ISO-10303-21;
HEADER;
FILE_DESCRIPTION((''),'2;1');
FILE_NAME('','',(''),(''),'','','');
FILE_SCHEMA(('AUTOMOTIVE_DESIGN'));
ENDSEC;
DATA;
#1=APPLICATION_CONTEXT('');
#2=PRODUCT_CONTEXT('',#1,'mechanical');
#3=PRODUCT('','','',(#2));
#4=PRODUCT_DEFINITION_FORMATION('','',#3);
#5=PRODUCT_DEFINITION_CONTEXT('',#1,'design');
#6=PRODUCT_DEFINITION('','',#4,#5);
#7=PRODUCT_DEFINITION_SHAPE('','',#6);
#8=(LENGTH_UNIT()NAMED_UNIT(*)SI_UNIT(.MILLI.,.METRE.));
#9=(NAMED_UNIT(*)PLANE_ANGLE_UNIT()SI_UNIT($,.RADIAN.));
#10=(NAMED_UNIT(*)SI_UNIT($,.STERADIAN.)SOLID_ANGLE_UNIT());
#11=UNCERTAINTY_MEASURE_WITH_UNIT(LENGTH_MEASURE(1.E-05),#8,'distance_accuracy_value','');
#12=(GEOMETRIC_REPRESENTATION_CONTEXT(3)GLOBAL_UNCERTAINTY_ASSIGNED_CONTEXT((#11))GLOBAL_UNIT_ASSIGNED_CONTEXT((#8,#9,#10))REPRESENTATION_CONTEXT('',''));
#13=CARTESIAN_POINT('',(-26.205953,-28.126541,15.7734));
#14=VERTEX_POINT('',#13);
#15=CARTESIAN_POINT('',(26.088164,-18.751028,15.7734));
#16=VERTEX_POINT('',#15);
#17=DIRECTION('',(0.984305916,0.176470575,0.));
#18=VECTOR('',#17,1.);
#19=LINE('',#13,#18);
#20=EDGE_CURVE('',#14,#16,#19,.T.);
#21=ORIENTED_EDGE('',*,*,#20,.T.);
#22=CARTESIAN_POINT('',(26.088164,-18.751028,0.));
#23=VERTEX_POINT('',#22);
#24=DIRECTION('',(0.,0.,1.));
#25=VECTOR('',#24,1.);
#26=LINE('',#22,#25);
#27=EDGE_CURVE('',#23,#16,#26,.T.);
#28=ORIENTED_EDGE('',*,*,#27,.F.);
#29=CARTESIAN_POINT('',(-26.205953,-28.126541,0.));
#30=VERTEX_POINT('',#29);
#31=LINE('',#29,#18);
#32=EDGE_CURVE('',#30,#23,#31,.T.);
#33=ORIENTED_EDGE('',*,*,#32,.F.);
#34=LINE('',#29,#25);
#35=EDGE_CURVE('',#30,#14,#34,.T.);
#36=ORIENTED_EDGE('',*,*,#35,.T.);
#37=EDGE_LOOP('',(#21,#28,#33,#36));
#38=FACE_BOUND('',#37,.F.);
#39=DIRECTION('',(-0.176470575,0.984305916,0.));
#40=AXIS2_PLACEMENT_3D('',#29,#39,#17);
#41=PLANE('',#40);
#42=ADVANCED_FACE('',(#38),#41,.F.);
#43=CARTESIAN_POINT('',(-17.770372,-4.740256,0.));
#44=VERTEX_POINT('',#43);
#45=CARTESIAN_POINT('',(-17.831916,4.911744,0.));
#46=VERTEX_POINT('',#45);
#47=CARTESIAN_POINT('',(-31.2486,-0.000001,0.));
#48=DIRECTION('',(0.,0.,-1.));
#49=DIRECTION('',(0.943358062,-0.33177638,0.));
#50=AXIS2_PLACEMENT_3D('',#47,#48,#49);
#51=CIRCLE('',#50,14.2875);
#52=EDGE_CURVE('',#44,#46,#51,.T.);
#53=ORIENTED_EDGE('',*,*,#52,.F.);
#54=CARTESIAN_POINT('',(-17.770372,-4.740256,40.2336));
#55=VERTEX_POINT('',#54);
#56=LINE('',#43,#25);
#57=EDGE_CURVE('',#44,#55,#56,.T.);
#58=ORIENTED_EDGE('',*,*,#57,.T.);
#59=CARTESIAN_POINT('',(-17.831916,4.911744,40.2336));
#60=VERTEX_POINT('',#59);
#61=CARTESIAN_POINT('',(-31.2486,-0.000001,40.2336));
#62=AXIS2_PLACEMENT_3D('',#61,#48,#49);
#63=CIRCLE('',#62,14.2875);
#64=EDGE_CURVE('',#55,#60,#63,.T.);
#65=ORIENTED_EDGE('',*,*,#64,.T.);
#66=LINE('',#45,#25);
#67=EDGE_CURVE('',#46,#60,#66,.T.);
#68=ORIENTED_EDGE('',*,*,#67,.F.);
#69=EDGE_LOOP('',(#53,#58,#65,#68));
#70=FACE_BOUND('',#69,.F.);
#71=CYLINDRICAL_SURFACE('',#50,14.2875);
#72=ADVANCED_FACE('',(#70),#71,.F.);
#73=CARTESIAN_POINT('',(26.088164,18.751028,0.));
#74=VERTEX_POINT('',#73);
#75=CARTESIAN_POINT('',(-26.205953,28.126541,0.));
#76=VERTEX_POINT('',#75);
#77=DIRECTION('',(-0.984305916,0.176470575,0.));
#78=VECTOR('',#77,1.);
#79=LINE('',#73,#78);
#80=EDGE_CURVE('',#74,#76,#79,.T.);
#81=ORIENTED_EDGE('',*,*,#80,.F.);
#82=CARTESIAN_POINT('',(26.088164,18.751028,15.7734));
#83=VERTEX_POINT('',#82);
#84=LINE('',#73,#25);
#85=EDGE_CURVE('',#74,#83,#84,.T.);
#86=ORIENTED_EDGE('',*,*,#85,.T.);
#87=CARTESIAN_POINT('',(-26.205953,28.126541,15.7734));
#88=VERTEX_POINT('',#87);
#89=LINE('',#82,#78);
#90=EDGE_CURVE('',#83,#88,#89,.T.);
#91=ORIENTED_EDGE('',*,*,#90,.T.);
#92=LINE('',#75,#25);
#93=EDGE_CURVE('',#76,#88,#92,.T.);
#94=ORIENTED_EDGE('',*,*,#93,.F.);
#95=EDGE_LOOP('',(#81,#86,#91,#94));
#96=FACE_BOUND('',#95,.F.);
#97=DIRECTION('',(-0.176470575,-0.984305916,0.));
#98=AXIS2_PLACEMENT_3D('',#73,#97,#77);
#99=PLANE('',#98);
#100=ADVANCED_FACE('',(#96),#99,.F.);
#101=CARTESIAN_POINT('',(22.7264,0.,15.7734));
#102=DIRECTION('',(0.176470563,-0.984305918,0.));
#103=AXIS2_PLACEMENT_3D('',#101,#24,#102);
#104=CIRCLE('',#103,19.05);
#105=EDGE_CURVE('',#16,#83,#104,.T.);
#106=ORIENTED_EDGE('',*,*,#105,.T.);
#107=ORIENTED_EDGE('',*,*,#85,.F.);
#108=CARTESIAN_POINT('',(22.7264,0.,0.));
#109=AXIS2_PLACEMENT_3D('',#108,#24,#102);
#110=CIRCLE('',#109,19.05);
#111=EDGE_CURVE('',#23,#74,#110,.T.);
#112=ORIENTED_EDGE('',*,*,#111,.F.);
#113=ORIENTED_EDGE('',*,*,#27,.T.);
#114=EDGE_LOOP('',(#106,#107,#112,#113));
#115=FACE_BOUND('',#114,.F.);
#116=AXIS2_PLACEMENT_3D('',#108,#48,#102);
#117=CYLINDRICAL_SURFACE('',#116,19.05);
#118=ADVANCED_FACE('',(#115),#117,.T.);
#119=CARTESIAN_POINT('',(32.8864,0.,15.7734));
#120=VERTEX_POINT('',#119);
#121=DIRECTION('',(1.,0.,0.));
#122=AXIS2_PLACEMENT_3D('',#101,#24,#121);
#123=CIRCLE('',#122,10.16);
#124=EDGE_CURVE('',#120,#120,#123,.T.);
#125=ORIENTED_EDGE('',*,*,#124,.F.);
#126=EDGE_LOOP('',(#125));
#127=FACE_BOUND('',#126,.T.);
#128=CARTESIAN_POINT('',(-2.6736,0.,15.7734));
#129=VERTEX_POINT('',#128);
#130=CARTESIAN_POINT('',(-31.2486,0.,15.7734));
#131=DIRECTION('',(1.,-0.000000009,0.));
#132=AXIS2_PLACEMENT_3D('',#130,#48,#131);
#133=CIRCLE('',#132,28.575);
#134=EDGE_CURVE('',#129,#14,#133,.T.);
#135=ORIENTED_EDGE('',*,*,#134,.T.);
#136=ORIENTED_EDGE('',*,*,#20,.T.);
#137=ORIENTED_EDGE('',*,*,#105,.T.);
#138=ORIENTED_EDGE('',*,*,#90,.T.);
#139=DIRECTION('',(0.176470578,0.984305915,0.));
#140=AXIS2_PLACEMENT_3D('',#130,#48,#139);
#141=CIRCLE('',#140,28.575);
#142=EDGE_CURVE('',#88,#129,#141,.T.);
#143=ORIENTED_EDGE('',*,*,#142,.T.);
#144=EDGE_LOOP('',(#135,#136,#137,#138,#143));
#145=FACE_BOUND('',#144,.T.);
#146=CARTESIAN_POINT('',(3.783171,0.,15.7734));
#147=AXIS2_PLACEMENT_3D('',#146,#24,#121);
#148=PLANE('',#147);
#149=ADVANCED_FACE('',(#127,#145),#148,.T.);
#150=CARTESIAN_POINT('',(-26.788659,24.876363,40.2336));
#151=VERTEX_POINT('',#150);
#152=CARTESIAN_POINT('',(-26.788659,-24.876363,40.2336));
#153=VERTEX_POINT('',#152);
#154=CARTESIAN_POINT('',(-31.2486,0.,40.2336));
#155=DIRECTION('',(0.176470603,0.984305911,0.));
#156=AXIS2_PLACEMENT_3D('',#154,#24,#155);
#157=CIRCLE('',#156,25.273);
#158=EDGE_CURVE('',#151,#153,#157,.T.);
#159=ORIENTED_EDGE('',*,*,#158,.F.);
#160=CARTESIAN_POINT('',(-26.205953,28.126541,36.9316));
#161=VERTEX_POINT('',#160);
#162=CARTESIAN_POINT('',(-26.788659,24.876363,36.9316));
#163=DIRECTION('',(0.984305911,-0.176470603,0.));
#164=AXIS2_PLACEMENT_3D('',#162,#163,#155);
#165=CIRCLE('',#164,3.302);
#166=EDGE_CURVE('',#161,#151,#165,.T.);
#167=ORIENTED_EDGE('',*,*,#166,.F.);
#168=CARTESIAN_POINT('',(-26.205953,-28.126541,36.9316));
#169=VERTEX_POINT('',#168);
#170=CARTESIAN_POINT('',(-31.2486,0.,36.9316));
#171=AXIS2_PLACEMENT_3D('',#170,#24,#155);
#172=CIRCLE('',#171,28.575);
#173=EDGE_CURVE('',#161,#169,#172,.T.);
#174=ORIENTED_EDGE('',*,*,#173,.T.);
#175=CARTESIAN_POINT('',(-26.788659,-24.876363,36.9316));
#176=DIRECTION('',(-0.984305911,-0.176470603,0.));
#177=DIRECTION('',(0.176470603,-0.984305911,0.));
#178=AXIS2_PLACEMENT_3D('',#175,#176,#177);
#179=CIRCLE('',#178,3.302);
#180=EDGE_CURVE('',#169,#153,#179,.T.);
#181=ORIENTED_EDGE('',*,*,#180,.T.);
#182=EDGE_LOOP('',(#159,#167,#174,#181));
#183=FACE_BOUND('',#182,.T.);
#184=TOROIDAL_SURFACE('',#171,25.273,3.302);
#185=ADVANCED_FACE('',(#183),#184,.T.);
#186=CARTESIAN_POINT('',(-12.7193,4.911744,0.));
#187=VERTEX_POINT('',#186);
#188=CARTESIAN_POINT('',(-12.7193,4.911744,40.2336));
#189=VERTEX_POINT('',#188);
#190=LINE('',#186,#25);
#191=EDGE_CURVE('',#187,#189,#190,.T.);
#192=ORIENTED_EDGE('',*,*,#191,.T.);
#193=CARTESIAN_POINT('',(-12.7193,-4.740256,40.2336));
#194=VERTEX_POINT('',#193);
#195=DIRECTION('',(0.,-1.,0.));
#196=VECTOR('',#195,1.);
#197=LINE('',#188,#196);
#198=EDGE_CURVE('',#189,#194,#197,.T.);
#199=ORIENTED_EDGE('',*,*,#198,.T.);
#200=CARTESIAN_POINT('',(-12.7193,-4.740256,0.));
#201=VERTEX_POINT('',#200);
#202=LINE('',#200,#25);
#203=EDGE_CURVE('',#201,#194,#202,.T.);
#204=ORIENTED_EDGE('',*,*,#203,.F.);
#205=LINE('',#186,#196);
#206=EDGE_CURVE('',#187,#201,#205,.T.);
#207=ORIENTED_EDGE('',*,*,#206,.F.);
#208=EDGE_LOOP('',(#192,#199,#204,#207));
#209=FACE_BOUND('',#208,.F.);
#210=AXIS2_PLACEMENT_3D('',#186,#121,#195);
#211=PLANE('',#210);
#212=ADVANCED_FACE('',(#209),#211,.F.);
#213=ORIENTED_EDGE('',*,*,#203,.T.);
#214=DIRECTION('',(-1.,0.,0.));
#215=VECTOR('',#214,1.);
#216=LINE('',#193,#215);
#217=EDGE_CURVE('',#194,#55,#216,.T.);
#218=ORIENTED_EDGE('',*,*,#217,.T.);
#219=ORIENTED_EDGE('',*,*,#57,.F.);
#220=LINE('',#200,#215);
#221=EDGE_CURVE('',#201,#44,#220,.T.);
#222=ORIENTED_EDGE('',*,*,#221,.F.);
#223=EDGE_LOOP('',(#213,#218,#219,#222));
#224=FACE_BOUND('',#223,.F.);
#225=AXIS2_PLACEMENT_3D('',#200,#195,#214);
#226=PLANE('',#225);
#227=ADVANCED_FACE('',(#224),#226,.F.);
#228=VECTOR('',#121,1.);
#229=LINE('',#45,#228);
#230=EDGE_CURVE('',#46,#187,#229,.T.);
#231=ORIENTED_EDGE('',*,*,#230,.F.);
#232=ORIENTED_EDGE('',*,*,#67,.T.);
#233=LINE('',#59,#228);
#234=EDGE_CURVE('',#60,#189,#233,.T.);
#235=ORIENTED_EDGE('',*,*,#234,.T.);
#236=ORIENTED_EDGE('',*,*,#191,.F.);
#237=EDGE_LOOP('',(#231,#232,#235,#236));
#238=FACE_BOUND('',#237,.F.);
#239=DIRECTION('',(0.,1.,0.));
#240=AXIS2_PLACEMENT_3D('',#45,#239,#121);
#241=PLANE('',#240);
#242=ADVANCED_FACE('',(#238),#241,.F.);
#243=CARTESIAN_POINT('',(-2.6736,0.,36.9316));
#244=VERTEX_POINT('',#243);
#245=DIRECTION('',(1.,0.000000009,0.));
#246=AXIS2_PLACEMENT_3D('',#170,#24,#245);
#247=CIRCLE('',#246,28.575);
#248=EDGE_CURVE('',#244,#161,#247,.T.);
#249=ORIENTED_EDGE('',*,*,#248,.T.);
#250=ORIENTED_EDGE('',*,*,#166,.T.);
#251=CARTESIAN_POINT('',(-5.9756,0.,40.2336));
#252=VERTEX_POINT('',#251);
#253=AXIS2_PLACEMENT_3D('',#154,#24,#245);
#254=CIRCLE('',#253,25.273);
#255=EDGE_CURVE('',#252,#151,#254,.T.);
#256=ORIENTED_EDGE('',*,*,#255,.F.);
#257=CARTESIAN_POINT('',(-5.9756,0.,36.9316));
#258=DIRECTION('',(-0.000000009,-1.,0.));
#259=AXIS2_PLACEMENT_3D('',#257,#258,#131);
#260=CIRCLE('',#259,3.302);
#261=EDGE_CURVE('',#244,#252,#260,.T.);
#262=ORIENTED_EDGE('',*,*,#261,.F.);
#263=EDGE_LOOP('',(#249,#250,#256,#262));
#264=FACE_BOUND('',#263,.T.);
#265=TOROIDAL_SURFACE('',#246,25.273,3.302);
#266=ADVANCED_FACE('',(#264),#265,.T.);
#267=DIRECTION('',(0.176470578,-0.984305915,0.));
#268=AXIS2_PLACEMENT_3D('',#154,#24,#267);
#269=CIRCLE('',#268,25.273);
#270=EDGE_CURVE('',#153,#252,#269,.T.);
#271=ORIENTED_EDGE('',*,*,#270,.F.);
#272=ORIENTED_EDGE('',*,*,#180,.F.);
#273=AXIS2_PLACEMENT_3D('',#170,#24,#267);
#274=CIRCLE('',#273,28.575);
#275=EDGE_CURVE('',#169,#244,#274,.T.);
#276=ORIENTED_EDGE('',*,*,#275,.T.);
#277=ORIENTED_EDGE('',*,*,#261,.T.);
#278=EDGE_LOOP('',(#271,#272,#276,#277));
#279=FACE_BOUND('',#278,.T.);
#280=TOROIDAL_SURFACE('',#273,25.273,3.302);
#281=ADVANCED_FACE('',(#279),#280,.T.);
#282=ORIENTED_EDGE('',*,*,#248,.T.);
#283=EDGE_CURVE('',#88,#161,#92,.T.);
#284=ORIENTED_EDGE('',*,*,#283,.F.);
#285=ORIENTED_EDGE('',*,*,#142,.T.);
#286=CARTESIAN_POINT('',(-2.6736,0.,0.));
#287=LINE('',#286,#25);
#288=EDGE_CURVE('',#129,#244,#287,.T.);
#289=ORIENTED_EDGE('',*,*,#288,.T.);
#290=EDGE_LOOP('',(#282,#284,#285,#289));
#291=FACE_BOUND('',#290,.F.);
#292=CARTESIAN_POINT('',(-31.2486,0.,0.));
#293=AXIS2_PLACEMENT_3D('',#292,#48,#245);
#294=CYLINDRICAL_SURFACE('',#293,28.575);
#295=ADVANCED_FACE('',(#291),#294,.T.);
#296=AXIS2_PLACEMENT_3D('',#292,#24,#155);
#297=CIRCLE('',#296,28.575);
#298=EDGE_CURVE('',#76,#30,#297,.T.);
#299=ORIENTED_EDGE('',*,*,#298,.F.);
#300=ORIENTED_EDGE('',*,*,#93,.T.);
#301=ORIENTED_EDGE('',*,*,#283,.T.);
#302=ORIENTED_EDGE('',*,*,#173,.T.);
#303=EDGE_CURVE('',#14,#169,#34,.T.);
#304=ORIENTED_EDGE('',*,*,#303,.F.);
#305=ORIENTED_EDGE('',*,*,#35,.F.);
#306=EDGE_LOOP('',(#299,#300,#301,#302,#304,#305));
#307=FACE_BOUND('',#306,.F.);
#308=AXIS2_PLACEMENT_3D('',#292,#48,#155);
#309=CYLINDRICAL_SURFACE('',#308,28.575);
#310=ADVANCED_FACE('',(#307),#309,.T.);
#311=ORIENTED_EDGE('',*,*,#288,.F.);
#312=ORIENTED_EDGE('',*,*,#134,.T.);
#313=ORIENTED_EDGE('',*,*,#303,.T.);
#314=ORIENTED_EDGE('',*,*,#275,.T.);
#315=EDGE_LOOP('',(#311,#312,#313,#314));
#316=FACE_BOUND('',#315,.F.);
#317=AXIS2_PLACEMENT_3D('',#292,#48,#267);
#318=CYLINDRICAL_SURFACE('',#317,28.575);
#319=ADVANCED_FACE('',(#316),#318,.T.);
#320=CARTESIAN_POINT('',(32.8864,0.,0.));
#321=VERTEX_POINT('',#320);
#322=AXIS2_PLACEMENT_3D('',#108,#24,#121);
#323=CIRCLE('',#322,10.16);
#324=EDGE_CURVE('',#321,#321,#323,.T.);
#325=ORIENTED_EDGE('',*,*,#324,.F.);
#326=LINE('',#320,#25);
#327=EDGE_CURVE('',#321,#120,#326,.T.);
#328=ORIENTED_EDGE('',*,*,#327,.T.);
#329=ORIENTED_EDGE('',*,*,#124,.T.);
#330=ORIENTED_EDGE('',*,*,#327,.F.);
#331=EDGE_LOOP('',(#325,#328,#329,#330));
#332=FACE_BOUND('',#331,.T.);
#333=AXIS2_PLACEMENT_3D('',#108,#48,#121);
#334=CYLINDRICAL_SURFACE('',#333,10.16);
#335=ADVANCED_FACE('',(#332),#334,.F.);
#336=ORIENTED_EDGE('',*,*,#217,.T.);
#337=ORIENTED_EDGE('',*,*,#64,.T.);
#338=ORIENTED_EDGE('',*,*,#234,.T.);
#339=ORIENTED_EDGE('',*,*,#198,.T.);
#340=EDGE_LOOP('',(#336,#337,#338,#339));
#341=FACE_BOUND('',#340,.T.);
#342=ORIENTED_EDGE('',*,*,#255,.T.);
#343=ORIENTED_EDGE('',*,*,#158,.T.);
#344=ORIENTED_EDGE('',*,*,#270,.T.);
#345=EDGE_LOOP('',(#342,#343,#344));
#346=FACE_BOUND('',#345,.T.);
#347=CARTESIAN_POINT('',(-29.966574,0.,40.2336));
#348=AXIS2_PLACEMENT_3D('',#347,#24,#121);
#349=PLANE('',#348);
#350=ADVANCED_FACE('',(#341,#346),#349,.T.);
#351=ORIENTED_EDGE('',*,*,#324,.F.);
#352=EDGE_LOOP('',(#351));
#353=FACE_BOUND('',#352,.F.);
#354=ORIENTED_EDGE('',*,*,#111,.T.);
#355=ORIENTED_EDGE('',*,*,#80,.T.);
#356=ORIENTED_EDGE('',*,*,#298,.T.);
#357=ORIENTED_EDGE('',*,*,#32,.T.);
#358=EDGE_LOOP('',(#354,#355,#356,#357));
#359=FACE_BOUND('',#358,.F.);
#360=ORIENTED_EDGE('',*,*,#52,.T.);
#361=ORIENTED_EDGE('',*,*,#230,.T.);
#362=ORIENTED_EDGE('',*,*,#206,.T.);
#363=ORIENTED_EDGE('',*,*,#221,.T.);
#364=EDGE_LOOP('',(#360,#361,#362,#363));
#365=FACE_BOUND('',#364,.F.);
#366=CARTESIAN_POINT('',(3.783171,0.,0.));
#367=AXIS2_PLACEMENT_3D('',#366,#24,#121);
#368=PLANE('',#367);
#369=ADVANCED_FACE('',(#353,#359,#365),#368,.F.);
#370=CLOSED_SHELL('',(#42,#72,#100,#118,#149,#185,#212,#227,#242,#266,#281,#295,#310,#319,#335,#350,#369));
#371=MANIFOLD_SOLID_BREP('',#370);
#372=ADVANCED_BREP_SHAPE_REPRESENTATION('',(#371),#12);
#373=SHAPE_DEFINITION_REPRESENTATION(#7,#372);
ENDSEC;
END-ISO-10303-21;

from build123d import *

# Parameters (mm, degrees)
F1_DEPTH = 40.2336
F2_R     = 3.302
F0_R     = 10.16
F3_DEPTH = 15.7734


with BuildPart() as f1:
    # F0 (on Top) → F1 (new body)
    with BuildSketch(Plane.XY):
        with BuildLine():
            ThreePointArc((-26.205953, -28.126541), (-9.332576, -18.336262), (-2.6736, 0))
            ThreePointArc((-2.6736, 0), (-9.332576, 18.336262), (-26.205953, 28.126541))
            ThreePointArc((-26.205953, 28.126541), (-59.8236, 0), (-26.205953, -28.126541))
        make_face()
        with BuildLine():
            ThreePointArc((-17.770372, -4.740256), (-45.53581, -0.091099), (-17.831916, 4.911744))
            Line((-17.831916, 4.911744), (-12.7193, 4.911744))
            Line((-12.7193, 4.911744), (-12.7193, -4.740256))
            Line((-12.7193, -4.740256), (-17.770372, -4.740256))
        make_face(mode=Mode.SUBTRACT)
    extrude(amount=F1_DEPTH)

    # F2
    f2_edges = [f1.edges().sort_by_distance(p)[0] for p in [
        (-36.291247, 28.126541, 40.2336),
    ]]
    fillet(f2_edges, radius=F2_R)

    # F0 (on Top) → F3 (join)
    with BuildSketch(Plane.XY):
        with BuildLine():
            ThreePointArc((-26.205953, 28.126541), (-9.332576, 18.336262), (-2.6736, 0))
            ThreePointArc((-2.6736, 0), (-9.332576, -18.336262), (-26.205953, -28.126541))
            Line((-26.205953, -28.126541), (26.088164, -18.751028))
            ThreePointArc((26.088164, -18.751028), (41.7764, 0), (26.088164, 18.751028))
            Line((26.088164, 18.751028), (-26.205953, 28.126541))
        make_face()
        with Locations((22.7264, 0)):
            Circle(F0_R, mode=Mode.SUBTRACT)
    extrude(amount=F3_DEPTH)


solid = f1.part
